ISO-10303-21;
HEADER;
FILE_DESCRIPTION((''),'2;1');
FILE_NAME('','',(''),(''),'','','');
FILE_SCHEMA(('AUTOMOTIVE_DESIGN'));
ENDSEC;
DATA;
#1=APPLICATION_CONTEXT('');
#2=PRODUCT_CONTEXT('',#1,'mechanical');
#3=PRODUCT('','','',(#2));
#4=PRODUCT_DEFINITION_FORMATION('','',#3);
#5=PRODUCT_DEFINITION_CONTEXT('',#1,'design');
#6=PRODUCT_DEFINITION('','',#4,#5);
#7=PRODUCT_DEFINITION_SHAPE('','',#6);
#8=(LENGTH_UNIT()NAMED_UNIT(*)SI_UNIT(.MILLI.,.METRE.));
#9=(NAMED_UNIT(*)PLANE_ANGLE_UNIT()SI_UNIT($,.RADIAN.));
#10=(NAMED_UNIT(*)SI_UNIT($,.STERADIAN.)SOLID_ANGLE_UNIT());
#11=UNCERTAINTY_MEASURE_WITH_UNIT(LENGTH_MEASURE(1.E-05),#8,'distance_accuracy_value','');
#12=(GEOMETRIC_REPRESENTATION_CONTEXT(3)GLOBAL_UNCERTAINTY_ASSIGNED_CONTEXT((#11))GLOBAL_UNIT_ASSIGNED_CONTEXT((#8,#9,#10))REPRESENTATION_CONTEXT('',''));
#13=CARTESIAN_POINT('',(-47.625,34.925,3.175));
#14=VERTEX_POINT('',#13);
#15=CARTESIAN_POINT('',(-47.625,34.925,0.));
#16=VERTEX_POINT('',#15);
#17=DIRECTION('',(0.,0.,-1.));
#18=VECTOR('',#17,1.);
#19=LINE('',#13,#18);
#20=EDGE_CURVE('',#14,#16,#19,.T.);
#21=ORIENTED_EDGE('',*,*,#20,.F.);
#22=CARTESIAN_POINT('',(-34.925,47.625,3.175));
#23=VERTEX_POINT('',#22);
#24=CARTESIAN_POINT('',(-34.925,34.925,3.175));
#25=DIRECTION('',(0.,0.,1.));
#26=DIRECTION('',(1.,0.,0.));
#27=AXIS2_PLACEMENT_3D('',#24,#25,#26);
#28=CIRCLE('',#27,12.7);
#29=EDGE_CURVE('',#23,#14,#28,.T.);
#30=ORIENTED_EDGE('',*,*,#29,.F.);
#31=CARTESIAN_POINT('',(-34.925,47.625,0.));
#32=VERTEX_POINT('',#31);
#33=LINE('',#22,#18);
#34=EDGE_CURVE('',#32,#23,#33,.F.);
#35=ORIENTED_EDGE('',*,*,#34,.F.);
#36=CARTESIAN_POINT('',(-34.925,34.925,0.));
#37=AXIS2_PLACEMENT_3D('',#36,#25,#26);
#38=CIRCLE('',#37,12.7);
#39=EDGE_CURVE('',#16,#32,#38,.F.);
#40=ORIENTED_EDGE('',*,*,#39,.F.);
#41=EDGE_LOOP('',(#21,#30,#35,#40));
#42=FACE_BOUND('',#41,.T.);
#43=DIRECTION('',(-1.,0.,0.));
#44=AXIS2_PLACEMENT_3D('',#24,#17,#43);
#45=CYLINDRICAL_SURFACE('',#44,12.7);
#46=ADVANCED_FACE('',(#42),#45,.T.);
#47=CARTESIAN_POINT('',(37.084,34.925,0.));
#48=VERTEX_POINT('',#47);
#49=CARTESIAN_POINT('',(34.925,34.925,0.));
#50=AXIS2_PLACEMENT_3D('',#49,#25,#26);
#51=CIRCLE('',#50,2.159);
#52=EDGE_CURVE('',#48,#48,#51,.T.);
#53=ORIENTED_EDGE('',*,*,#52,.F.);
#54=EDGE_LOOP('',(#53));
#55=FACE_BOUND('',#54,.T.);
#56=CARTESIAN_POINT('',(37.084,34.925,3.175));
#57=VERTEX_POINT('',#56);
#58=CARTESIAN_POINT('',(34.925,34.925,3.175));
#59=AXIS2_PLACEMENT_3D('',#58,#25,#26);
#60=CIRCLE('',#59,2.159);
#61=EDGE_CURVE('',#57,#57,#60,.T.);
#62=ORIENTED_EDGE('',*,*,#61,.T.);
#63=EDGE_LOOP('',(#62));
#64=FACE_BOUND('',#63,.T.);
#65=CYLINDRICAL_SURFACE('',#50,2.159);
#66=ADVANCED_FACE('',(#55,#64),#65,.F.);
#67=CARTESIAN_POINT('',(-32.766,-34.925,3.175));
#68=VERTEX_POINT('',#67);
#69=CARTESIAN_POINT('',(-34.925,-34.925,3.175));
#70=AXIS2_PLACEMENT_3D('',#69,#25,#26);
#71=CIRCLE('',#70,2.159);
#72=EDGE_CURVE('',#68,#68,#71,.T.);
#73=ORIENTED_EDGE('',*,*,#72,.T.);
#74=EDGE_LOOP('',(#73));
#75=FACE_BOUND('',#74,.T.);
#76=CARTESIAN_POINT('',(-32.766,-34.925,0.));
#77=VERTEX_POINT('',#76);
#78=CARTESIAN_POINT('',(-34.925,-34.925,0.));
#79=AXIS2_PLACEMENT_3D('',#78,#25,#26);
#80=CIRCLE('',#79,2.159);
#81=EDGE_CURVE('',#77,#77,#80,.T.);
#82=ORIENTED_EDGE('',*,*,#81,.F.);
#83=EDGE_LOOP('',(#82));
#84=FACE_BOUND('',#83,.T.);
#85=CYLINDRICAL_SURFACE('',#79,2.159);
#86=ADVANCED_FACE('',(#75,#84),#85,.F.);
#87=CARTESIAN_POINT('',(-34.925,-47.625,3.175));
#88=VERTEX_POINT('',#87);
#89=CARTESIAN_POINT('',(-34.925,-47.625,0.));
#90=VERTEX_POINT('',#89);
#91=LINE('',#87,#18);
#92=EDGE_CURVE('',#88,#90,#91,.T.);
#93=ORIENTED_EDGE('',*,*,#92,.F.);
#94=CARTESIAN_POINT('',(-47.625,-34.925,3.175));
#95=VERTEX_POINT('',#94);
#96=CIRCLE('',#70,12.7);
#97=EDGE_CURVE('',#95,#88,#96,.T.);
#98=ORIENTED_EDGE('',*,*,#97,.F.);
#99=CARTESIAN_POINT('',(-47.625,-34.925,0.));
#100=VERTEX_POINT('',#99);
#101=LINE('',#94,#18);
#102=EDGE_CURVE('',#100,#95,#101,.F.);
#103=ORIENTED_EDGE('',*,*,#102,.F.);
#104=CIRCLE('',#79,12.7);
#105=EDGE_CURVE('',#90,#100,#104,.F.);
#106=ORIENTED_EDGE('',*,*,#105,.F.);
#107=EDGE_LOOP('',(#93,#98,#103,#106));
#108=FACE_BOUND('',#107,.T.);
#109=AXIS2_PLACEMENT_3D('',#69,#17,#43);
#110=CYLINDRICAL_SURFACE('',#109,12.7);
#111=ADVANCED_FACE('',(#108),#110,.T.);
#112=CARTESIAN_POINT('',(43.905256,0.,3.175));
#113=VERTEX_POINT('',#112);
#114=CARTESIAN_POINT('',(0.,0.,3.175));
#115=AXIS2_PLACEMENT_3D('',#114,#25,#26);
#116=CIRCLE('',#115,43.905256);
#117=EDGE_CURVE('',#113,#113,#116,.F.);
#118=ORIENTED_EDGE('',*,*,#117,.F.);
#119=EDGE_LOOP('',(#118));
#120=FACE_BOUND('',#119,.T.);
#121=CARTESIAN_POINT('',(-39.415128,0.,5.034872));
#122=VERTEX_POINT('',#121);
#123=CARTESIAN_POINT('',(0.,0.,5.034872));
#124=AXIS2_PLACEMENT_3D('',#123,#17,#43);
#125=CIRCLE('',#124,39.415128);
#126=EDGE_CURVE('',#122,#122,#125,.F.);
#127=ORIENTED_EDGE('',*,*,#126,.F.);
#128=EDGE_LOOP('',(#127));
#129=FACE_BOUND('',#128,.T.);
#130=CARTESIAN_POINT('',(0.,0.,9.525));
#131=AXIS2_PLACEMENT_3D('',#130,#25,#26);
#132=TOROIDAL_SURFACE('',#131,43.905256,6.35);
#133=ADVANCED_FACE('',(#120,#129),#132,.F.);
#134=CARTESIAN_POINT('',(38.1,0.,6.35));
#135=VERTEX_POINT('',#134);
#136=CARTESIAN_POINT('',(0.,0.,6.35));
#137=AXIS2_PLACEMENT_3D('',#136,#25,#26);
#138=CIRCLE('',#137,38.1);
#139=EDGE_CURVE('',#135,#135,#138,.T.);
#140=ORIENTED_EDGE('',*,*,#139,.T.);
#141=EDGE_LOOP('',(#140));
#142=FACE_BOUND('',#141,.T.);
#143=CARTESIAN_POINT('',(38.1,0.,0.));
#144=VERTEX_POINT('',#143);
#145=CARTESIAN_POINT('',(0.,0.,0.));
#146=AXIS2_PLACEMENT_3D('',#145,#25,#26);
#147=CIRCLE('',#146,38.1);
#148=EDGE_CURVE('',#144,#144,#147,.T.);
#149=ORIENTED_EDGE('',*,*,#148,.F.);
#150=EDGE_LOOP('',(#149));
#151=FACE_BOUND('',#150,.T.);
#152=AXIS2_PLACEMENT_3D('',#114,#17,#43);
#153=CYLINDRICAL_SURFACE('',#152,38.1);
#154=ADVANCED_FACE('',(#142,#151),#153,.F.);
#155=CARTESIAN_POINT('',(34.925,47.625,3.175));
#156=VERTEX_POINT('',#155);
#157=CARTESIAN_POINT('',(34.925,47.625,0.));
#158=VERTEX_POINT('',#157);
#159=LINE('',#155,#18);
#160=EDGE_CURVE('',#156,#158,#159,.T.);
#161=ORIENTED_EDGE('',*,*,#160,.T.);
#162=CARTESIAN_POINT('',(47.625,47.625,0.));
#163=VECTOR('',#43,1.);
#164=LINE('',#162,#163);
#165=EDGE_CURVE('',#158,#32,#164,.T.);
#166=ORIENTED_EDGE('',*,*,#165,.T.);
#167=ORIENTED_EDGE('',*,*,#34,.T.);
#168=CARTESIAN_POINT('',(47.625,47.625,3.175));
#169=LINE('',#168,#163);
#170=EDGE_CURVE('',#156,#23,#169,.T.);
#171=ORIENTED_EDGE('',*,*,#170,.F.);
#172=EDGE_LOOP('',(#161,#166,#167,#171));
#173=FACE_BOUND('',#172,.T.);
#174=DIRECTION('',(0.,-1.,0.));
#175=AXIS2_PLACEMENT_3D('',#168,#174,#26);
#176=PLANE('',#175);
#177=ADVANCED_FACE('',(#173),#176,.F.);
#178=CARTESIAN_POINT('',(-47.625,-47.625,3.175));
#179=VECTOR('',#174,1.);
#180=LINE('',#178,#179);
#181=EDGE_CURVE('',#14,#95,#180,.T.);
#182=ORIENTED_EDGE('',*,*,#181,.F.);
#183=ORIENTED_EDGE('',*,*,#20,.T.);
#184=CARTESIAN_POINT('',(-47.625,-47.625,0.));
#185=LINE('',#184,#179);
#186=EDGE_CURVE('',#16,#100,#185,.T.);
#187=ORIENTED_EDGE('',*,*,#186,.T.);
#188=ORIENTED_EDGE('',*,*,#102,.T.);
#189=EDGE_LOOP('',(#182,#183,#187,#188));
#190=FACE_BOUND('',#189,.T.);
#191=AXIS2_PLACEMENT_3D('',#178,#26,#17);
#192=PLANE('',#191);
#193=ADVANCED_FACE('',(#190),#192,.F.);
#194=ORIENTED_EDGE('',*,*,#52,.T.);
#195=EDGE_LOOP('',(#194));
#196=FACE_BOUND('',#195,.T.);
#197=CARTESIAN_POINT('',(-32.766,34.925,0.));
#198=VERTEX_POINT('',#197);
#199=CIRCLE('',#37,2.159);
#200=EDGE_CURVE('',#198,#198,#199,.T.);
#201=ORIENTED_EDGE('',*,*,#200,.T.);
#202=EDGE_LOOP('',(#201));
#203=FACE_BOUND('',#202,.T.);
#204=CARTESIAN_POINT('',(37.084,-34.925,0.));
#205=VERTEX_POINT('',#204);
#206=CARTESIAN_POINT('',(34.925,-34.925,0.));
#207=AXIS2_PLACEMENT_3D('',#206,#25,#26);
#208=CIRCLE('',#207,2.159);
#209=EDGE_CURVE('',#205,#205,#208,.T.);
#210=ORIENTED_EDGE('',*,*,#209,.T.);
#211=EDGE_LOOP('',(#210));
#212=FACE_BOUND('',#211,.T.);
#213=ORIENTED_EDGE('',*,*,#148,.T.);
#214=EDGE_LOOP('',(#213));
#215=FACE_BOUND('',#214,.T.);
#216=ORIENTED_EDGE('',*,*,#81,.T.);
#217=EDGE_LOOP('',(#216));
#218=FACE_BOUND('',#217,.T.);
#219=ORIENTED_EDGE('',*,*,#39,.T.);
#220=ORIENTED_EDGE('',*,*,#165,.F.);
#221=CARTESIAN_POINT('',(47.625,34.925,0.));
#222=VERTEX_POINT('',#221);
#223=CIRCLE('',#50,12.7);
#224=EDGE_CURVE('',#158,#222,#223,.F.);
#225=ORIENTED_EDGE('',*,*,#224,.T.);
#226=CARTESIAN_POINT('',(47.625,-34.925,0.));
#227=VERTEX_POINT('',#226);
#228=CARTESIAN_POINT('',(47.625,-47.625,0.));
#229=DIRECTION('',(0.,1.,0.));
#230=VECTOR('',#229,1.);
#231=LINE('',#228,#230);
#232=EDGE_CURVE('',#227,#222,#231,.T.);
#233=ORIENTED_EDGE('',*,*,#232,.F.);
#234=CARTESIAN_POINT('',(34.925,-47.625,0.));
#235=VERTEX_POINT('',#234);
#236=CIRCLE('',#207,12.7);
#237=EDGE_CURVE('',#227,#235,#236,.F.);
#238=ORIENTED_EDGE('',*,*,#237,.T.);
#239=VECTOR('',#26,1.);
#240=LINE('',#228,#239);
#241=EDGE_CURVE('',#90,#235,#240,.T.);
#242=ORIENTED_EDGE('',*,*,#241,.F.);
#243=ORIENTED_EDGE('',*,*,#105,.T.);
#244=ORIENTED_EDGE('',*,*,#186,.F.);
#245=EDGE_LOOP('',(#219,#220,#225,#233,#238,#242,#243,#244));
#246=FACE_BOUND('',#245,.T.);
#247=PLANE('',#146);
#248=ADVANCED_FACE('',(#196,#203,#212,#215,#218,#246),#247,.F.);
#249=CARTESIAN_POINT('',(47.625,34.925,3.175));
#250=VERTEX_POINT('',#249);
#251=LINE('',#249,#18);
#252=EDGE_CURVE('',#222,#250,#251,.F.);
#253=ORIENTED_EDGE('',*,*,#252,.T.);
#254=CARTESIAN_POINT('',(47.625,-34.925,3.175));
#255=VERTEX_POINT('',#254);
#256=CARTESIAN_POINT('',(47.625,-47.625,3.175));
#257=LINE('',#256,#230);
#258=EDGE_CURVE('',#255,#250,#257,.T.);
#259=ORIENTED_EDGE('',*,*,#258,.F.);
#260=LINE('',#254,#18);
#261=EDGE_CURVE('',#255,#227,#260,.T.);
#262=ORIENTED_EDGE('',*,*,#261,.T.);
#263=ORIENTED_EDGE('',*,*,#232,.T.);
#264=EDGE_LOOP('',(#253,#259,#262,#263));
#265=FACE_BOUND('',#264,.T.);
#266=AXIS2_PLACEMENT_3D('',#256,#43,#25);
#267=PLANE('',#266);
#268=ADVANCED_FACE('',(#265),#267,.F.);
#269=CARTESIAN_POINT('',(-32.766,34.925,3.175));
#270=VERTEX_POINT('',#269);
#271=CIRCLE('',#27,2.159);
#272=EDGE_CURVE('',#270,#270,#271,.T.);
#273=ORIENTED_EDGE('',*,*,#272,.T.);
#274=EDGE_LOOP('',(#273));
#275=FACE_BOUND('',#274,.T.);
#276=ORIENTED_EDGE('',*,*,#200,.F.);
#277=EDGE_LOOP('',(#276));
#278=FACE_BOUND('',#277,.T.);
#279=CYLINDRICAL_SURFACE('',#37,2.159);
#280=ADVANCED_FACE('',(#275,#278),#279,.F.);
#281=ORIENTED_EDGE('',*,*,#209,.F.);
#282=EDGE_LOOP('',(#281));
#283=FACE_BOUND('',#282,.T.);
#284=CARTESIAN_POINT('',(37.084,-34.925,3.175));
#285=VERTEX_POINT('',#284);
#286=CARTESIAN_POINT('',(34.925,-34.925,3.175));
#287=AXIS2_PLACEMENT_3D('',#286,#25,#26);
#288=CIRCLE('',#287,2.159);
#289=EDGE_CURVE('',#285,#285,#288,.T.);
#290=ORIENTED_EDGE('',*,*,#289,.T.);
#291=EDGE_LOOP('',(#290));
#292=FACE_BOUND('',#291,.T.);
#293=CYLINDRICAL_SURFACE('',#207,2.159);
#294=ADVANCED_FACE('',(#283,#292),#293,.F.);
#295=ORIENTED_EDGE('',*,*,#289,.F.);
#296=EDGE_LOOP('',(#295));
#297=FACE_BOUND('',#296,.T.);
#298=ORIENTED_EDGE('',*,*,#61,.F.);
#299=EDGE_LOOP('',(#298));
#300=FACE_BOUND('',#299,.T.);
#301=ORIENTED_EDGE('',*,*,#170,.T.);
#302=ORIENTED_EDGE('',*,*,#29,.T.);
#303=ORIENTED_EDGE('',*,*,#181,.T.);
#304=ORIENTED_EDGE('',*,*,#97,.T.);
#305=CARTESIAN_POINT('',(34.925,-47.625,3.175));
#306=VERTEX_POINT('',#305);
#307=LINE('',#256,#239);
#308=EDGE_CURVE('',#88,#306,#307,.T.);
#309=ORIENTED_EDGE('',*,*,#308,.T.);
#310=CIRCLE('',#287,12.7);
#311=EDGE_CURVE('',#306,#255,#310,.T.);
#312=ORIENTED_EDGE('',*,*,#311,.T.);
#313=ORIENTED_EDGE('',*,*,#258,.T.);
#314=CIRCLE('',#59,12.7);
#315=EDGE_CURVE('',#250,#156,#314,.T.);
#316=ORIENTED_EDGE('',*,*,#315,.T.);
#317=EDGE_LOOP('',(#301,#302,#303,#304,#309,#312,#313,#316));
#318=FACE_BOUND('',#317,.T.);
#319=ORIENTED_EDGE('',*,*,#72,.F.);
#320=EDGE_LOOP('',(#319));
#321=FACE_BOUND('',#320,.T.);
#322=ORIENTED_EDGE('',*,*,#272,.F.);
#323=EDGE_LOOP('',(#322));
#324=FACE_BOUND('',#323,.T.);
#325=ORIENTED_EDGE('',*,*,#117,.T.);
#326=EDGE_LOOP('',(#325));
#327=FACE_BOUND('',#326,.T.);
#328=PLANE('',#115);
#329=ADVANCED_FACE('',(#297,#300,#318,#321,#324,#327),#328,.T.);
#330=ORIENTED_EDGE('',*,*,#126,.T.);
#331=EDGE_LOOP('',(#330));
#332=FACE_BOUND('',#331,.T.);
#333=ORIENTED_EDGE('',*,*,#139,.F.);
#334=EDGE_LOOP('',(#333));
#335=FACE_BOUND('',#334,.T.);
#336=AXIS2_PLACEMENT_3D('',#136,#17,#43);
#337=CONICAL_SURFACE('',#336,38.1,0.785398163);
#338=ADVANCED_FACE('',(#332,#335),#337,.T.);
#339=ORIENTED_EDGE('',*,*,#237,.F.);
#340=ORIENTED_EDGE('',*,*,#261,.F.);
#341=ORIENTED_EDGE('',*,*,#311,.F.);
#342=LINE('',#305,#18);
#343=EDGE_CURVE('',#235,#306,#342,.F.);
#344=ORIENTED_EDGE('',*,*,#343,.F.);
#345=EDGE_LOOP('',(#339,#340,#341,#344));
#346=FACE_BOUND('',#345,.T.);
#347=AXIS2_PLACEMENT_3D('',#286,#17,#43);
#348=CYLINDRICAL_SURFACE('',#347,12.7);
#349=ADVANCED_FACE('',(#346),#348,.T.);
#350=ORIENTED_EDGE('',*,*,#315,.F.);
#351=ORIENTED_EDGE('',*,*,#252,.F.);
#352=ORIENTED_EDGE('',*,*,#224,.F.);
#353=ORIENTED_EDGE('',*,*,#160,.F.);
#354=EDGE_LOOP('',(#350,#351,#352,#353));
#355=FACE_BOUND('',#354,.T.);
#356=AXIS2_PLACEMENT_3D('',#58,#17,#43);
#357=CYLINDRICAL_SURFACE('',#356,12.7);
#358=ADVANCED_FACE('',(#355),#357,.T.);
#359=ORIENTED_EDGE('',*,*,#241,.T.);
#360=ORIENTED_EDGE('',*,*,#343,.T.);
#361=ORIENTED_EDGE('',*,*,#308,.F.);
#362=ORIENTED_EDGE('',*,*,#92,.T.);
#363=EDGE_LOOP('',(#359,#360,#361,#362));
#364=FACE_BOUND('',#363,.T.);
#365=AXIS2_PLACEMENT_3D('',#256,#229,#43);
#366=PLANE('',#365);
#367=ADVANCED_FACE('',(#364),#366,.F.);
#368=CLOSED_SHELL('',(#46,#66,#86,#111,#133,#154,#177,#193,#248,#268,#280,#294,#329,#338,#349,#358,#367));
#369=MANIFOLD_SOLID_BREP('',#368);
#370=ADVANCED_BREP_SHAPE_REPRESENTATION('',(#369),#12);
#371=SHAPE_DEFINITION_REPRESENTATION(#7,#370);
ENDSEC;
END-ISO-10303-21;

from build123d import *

# Parameters (mm, degrees)
SKETCH1_W           = 95.25
SKETCH1_H           = 95.25
SKETCH1_R           = 38.1
BOSS_EXTRUDE1_DEPTH = 3.175
FILLET1_R           = 6.35
SKETCH4_R           = 2.159
CUT_EXTRUDE1_DEPTH  = 4.175
FILLET2_R           = 12.7


with BuildPart() as part:
    # Sketch1 → Boss-Extrude1 (new body)
    with BuildSketch(Plane.XY):
        Rectangle(SKETCH1_W, SKETCH1_H)
        Circle(SKETCH1_R, mode=Mode.SUBTRACT)
    extrude(amount=BOSS_EXTRUDE1_DEPTH)

    # Sketch2 → Revolve1 (revolve)
    with BuildSketch(Plane(origin=(0, 0, 0), x_dir=(1, 0, 0), z_dir=(0, 1, 0))):
        Polygon((38.1, -3.175), (38.1, -6.35), (41.275, -3.175), align=None)
    revolve(axis=Axis((0, 0, 1000), (0, 0, -1)))

    # Fillet1
    fillet1_edges = [part.edges().sort_by_distance(p)[0] for p in [
        (-41.275, 0, 3.175),
    ]]
    fillet(fillet1_edges, radius=FILLET1_R)

    # Sketch4 → Cut-Extrude1 (cut, through all)
    with BuildSketch(Plane.XY.offset(3.175)):
        with Locations((-34.925, 34.925)):
            Circle(SKETCH4_R)
        with Locations((34.925, 34.925)):
            Circle(SKETCH4_R)
        with Locations((34.925, -34.925)):
            Circle(SKETCH4_R)
        with Locations((-34.925, -34.925)):
            Circle(SKETCH4_R)
    extrude(amount=-CUT_EXTRUDE1_DEPTH, mode=Mode.SUBTRACT)

    # Fillet2
    fillet2_edges = [part.edges().sort_by_distance(p)[0] for p in [
        (-47.625, 47.625, 1.5875),
        (47.625, 47.625, 1.5875),
        (47.625, -47.625, 1.5875),
        (-47.625, -47.625, 1.5875),
    ]]
    fillet(fillet2_edges, radius=FILLET2_R)


solid = part.part
